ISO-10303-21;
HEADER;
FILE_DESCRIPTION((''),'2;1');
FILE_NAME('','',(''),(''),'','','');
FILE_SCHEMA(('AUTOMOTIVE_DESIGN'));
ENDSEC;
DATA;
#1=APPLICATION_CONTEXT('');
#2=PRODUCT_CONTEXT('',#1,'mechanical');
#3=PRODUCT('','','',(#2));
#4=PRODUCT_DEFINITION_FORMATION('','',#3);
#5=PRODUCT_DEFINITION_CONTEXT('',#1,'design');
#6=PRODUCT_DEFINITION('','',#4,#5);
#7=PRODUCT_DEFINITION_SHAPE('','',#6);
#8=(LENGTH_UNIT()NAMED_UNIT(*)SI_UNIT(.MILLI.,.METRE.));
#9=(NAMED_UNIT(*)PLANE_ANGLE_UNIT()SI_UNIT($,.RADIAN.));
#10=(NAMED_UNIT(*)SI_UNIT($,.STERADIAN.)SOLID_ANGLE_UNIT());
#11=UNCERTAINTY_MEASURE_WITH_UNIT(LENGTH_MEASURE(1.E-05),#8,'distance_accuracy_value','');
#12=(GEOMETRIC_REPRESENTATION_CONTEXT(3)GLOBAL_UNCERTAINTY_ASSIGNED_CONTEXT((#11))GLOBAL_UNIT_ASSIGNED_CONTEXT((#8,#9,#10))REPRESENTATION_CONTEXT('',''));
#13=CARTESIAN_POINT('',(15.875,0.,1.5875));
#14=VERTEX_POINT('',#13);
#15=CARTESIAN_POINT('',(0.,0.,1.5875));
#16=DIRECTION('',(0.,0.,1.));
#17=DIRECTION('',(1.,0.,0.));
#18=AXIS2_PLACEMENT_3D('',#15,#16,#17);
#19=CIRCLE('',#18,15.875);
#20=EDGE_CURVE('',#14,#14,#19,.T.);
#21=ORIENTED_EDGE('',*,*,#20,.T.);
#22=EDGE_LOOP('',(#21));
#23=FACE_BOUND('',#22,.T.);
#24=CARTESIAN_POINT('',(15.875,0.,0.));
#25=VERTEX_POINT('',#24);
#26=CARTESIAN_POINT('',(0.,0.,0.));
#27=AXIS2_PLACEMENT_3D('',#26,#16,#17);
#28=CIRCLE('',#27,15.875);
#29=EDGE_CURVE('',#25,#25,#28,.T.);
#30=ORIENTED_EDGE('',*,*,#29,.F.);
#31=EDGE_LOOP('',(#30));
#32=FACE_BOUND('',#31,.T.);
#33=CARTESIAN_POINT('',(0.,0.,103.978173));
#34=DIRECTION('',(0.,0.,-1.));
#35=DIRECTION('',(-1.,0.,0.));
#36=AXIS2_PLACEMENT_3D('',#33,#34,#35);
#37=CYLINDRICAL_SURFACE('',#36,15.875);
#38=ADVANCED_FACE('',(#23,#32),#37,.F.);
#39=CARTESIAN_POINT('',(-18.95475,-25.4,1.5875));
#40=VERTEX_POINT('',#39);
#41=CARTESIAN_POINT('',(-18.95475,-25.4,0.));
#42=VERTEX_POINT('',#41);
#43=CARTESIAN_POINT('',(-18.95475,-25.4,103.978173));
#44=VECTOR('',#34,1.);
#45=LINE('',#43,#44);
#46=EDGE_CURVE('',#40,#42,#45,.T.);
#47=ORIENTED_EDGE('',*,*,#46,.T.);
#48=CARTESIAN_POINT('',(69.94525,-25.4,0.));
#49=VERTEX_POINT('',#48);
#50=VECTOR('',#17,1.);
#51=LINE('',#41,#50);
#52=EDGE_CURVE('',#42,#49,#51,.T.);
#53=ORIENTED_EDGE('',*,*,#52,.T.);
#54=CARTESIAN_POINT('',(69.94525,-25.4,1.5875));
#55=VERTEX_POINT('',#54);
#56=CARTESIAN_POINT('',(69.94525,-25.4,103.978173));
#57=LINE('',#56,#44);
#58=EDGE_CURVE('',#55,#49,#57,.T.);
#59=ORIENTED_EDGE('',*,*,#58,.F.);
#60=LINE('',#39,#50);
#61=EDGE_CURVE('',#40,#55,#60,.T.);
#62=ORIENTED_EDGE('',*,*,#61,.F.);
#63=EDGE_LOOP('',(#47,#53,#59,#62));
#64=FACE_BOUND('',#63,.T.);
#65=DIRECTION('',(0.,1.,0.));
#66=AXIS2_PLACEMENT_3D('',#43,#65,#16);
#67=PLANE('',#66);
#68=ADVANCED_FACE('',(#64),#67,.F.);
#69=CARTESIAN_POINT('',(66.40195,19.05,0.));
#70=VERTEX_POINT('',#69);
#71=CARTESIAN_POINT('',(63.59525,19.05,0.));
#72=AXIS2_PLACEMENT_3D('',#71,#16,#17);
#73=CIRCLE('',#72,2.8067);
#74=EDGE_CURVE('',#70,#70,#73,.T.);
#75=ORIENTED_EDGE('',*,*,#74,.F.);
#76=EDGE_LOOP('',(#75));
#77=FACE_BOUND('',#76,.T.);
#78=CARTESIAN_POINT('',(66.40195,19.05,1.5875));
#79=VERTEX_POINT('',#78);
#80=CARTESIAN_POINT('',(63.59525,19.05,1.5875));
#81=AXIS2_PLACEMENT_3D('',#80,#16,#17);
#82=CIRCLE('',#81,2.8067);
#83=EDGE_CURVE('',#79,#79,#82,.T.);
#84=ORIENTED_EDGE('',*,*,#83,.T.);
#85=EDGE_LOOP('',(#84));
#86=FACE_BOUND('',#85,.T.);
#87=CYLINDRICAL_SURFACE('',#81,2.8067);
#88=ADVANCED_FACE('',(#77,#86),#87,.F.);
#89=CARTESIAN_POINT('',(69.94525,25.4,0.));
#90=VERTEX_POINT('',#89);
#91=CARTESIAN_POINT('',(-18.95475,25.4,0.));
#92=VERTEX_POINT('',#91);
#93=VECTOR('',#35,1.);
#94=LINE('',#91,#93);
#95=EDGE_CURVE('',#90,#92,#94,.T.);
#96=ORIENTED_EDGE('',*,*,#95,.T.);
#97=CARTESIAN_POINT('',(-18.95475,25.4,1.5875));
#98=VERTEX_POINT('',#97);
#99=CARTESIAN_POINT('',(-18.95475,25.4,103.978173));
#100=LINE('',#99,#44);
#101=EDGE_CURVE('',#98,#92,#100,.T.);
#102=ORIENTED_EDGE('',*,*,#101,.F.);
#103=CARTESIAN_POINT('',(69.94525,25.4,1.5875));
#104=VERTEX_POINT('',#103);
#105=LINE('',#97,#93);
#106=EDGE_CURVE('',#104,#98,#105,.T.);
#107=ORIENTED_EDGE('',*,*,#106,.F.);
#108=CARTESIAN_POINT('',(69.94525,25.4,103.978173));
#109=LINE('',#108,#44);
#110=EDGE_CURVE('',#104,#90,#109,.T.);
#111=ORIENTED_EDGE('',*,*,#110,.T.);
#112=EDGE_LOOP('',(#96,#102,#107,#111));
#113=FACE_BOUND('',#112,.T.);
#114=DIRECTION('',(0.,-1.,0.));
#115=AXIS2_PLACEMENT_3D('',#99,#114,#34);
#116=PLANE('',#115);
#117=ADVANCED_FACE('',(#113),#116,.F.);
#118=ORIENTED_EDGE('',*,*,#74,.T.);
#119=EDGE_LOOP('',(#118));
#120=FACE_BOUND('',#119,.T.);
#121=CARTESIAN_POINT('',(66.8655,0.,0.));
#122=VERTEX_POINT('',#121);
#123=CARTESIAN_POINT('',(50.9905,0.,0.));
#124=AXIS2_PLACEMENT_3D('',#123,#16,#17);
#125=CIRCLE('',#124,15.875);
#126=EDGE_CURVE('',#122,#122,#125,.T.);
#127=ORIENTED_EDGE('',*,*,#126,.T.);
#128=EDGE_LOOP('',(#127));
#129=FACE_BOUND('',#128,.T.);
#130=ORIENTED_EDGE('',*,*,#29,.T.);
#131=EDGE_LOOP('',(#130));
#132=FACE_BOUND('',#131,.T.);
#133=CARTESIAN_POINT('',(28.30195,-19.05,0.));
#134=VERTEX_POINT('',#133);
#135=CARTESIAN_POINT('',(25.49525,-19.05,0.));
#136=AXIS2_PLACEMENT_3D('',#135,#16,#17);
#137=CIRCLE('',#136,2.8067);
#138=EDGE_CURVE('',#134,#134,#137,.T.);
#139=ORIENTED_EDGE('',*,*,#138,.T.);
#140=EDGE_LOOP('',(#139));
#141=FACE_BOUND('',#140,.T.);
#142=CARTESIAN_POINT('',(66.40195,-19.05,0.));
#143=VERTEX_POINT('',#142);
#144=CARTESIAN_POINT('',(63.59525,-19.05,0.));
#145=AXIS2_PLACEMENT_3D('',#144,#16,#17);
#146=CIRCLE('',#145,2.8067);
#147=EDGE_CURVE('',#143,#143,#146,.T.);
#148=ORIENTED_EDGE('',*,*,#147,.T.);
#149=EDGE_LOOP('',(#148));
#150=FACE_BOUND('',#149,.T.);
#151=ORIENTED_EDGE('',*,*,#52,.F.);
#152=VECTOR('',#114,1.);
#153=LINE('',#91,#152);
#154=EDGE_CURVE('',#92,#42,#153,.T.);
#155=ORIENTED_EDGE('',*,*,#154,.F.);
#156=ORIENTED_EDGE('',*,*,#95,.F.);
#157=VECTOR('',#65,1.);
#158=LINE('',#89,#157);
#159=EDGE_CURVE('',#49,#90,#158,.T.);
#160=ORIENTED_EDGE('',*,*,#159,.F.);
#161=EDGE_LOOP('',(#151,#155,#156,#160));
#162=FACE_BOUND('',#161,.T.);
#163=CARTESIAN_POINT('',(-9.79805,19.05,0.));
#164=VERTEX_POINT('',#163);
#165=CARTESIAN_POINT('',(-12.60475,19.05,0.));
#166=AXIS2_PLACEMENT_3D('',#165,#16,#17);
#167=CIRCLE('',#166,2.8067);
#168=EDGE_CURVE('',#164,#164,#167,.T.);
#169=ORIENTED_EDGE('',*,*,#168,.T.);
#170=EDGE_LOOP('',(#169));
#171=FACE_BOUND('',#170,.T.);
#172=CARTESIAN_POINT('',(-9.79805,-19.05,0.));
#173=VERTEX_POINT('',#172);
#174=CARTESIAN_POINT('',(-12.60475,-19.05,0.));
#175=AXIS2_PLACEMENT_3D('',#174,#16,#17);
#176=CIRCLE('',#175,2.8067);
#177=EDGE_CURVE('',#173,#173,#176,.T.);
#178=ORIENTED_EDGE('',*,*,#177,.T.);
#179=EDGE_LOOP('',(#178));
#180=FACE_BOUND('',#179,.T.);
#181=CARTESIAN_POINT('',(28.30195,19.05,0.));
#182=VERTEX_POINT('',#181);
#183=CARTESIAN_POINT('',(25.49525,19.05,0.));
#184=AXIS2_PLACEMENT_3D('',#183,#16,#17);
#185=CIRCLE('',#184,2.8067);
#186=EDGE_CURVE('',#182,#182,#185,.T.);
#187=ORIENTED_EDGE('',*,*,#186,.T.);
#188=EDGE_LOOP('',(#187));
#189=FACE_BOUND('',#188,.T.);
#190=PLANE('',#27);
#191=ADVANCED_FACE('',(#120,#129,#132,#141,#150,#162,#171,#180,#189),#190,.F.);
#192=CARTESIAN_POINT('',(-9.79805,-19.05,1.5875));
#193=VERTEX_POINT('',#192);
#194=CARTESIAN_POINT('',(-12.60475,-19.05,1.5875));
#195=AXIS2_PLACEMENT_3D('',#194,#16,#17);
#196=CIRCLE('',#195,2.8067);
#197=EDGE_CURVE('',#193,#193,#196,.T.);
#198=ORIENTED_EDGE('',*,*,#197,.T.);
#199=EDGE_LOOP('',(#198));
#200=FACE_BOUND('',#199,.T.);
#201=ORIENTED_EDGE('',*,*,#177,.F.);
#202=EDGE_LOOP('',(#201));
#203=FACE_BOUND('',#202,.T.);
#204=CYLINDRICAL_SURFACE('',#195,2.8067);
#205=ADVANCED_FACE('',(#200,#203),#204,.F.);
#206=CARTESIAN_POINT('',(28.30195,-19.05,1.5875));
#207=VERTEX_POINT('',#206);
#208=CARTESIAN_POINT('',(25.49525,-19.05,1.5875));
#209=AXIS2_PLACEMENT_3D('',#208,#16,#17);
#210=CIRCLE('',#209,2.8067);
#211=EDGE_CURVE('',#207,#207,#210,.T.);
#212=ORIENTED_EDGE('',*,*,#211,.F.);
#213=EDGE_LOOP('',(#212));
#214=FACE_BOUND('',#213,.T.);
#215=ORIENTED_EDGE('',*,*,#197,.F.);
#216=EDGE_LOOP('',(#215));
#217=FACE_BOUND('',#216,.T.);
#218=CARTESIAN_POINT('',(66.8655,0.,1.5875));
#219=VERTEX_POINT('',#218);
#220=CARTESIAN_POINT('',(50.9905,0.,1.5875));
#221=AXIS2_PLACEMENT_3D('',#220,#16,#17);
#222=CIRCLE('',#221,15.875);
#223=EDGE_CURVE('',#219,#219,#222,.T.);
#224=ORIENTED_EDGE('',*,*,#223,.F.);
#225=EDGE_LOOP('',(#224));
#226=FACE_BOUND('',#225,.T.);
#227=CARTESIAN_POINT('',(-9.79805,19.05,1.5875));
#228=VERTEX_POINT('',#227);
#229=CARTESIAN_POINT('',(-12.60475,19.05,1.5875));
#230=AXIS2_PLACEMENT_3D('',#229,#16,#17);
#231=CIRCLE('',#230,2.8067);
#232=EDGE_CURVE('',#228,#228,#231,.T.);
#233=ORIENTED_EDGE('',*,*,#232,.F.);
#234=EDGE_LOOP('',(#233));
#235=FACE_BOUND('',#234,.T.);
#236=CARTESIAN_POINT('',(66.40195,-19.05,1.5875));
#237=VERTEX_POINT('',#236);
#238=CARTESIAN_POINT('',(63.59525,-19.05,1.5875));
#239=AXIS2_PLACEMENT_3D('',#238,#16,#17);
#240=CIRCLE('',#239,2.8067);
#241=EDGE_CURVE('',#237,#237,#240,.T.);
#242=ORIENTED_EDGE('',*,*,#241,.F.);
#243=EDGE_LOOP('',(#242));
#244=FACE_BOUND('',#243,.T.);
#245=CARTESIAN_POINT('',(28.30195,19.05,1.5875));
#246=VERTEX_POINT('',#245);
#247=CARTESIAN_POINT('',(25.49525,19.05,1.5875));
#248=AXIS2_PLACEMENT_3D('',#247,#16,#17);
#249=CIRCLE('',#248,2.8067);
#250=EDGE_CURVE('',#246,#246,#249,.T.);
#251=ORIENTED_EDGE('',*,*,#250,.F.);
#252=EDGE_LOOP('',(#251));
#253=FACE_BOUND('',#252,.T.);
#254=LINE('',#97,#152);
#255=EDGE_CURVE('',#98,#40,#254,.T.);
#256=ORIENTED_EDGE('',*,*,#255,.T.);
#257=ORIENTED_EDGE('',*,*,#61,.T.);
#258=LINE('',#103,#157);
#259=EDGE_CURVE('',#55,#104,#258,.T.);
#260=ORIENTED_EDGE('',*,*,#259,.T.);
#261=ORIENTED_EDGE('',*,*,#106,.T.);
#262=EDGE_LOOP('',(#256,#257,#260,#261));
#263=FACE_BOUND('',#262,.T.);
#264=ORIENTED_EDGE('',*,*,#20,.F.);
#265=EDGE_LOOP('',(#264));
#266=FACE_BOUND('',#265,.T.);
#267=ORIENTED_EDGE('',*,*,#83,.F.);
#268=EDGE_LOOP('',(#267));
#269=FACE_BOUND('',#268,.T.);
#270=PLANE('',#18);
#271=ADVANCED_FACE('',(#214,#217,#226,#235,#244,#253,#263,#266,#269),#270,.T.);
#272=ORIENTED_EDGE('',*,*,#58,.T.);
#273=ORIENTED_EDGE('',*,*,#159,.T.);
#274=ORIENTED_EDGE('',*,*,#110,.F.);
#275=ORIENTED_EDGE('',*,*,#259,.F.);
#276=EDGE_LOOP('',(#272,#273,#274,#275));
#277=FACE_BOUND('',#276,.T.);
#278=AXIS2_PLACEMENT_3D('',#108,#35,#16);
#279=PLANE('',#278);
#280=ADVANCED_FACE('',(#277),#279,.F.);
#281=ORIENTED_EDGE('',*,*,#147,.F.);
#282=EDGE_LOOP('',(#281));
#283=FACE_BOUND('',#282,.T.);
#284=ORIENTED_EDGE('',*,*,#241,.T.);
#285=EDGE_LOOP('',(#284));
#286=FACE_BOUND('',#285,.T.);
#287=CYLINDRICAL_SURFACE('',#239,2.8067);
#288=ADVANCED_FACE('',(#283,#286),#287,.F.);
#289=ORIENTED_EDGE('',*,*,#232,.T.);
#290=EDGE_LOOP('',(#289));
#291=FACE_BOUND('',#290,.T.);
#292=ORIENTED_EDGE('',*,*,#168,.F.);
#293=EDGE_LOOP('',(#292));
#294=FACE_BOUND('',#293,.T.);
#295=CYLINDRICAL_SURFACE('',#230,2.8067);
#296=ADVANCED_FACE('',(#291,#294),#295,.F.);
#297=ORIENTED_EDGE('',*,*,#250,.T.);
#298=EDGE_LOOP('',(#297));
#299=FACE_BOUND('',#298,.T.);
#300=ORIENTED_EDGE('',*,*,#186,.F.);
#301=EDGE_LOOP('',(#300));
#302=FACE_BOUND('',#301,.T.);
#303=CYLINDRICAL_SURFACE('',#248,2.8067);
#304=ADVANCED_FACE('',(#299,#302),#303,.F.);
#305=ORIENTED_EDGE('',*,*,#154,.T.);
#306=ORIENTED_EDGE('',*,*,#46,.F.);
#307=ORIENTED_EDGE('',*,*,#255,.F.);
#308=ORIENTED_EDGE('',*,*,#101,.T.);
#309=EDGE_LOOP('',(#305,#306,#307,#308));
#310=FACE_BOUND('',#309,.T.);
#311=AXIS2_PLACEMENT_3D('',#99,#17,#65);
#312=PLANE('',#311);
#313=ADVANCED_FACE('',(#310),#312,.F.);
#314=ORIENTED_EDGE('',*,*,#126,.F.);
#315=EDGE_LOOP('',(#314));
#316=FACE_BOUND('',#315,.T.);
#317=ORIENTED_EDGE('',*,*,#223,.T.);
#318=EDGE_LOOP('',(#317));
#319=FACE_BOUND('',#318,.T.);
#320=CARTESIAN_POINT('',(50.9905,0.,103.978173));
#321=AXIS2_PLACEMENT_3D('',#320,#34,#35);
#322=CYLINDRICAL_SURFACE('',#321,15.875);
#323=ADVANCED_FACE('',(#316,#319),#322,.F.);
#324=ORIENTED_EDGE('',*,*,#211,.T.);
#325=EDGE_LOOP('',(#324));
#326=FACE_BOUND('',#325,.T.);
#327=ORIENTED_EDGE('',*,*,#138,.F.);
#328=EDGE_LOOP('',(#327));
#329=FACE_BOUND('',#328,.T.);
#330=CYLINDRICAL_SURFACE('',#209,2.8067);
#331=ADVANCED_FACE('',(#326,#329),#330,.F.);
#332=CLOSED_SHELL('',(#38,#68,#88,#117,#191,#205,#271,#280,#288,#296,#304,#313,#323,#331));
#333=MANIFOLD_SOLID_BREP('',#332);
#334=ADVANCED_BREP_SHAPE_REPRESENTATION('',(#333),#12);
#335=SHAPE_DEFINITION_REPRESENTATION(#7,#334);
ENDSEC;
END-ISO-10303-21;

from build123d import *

# Parameters (mm, degrees)
SKETCH1_W              = 88.9
SKETCH1_H              = 50.8
SKETCH1_R              = 15.875
BOSS_EXTRUDE1_DEPTH    = 1.5875
F_10_CLEARANCE_HOLE1_D = 5.6134


with BuildPart() as part:
    # Sketch1 → Boss-Extrude1 (new body)
    with BuildSketch(Plane.XY):
        with Locations((25.49525, 0)):
            Rectangle(SKETCH1_W, SKETCH1_H)
        Circle(SKETCH1_R, mode=Mode.SUBTRACT)
        with Locations((50.9905, 0)):
            Circle(SKETCH1_R, mode=Mode.SUBTRACT)
    extrude(amount=BOSS_EXTRUDE1_DEPTH)

    # #10 Clearance Hole1 (through all)
    with Locations(Plane(origin=(-41.275, -44.45, 1.5875), x_dir=(1, 0, 0), z_dir=(0, 0, 1))):
        with Locations((104.87025, 63.5), (28.67025, 63.5), (66.77025, 25.4), (28.67025, 25.4), (66.77025, 63.5), (104.87025, 25.4)):
            Hole(F_10_CLEARANCE_HOLE1_D / 2)


solid = part.part
